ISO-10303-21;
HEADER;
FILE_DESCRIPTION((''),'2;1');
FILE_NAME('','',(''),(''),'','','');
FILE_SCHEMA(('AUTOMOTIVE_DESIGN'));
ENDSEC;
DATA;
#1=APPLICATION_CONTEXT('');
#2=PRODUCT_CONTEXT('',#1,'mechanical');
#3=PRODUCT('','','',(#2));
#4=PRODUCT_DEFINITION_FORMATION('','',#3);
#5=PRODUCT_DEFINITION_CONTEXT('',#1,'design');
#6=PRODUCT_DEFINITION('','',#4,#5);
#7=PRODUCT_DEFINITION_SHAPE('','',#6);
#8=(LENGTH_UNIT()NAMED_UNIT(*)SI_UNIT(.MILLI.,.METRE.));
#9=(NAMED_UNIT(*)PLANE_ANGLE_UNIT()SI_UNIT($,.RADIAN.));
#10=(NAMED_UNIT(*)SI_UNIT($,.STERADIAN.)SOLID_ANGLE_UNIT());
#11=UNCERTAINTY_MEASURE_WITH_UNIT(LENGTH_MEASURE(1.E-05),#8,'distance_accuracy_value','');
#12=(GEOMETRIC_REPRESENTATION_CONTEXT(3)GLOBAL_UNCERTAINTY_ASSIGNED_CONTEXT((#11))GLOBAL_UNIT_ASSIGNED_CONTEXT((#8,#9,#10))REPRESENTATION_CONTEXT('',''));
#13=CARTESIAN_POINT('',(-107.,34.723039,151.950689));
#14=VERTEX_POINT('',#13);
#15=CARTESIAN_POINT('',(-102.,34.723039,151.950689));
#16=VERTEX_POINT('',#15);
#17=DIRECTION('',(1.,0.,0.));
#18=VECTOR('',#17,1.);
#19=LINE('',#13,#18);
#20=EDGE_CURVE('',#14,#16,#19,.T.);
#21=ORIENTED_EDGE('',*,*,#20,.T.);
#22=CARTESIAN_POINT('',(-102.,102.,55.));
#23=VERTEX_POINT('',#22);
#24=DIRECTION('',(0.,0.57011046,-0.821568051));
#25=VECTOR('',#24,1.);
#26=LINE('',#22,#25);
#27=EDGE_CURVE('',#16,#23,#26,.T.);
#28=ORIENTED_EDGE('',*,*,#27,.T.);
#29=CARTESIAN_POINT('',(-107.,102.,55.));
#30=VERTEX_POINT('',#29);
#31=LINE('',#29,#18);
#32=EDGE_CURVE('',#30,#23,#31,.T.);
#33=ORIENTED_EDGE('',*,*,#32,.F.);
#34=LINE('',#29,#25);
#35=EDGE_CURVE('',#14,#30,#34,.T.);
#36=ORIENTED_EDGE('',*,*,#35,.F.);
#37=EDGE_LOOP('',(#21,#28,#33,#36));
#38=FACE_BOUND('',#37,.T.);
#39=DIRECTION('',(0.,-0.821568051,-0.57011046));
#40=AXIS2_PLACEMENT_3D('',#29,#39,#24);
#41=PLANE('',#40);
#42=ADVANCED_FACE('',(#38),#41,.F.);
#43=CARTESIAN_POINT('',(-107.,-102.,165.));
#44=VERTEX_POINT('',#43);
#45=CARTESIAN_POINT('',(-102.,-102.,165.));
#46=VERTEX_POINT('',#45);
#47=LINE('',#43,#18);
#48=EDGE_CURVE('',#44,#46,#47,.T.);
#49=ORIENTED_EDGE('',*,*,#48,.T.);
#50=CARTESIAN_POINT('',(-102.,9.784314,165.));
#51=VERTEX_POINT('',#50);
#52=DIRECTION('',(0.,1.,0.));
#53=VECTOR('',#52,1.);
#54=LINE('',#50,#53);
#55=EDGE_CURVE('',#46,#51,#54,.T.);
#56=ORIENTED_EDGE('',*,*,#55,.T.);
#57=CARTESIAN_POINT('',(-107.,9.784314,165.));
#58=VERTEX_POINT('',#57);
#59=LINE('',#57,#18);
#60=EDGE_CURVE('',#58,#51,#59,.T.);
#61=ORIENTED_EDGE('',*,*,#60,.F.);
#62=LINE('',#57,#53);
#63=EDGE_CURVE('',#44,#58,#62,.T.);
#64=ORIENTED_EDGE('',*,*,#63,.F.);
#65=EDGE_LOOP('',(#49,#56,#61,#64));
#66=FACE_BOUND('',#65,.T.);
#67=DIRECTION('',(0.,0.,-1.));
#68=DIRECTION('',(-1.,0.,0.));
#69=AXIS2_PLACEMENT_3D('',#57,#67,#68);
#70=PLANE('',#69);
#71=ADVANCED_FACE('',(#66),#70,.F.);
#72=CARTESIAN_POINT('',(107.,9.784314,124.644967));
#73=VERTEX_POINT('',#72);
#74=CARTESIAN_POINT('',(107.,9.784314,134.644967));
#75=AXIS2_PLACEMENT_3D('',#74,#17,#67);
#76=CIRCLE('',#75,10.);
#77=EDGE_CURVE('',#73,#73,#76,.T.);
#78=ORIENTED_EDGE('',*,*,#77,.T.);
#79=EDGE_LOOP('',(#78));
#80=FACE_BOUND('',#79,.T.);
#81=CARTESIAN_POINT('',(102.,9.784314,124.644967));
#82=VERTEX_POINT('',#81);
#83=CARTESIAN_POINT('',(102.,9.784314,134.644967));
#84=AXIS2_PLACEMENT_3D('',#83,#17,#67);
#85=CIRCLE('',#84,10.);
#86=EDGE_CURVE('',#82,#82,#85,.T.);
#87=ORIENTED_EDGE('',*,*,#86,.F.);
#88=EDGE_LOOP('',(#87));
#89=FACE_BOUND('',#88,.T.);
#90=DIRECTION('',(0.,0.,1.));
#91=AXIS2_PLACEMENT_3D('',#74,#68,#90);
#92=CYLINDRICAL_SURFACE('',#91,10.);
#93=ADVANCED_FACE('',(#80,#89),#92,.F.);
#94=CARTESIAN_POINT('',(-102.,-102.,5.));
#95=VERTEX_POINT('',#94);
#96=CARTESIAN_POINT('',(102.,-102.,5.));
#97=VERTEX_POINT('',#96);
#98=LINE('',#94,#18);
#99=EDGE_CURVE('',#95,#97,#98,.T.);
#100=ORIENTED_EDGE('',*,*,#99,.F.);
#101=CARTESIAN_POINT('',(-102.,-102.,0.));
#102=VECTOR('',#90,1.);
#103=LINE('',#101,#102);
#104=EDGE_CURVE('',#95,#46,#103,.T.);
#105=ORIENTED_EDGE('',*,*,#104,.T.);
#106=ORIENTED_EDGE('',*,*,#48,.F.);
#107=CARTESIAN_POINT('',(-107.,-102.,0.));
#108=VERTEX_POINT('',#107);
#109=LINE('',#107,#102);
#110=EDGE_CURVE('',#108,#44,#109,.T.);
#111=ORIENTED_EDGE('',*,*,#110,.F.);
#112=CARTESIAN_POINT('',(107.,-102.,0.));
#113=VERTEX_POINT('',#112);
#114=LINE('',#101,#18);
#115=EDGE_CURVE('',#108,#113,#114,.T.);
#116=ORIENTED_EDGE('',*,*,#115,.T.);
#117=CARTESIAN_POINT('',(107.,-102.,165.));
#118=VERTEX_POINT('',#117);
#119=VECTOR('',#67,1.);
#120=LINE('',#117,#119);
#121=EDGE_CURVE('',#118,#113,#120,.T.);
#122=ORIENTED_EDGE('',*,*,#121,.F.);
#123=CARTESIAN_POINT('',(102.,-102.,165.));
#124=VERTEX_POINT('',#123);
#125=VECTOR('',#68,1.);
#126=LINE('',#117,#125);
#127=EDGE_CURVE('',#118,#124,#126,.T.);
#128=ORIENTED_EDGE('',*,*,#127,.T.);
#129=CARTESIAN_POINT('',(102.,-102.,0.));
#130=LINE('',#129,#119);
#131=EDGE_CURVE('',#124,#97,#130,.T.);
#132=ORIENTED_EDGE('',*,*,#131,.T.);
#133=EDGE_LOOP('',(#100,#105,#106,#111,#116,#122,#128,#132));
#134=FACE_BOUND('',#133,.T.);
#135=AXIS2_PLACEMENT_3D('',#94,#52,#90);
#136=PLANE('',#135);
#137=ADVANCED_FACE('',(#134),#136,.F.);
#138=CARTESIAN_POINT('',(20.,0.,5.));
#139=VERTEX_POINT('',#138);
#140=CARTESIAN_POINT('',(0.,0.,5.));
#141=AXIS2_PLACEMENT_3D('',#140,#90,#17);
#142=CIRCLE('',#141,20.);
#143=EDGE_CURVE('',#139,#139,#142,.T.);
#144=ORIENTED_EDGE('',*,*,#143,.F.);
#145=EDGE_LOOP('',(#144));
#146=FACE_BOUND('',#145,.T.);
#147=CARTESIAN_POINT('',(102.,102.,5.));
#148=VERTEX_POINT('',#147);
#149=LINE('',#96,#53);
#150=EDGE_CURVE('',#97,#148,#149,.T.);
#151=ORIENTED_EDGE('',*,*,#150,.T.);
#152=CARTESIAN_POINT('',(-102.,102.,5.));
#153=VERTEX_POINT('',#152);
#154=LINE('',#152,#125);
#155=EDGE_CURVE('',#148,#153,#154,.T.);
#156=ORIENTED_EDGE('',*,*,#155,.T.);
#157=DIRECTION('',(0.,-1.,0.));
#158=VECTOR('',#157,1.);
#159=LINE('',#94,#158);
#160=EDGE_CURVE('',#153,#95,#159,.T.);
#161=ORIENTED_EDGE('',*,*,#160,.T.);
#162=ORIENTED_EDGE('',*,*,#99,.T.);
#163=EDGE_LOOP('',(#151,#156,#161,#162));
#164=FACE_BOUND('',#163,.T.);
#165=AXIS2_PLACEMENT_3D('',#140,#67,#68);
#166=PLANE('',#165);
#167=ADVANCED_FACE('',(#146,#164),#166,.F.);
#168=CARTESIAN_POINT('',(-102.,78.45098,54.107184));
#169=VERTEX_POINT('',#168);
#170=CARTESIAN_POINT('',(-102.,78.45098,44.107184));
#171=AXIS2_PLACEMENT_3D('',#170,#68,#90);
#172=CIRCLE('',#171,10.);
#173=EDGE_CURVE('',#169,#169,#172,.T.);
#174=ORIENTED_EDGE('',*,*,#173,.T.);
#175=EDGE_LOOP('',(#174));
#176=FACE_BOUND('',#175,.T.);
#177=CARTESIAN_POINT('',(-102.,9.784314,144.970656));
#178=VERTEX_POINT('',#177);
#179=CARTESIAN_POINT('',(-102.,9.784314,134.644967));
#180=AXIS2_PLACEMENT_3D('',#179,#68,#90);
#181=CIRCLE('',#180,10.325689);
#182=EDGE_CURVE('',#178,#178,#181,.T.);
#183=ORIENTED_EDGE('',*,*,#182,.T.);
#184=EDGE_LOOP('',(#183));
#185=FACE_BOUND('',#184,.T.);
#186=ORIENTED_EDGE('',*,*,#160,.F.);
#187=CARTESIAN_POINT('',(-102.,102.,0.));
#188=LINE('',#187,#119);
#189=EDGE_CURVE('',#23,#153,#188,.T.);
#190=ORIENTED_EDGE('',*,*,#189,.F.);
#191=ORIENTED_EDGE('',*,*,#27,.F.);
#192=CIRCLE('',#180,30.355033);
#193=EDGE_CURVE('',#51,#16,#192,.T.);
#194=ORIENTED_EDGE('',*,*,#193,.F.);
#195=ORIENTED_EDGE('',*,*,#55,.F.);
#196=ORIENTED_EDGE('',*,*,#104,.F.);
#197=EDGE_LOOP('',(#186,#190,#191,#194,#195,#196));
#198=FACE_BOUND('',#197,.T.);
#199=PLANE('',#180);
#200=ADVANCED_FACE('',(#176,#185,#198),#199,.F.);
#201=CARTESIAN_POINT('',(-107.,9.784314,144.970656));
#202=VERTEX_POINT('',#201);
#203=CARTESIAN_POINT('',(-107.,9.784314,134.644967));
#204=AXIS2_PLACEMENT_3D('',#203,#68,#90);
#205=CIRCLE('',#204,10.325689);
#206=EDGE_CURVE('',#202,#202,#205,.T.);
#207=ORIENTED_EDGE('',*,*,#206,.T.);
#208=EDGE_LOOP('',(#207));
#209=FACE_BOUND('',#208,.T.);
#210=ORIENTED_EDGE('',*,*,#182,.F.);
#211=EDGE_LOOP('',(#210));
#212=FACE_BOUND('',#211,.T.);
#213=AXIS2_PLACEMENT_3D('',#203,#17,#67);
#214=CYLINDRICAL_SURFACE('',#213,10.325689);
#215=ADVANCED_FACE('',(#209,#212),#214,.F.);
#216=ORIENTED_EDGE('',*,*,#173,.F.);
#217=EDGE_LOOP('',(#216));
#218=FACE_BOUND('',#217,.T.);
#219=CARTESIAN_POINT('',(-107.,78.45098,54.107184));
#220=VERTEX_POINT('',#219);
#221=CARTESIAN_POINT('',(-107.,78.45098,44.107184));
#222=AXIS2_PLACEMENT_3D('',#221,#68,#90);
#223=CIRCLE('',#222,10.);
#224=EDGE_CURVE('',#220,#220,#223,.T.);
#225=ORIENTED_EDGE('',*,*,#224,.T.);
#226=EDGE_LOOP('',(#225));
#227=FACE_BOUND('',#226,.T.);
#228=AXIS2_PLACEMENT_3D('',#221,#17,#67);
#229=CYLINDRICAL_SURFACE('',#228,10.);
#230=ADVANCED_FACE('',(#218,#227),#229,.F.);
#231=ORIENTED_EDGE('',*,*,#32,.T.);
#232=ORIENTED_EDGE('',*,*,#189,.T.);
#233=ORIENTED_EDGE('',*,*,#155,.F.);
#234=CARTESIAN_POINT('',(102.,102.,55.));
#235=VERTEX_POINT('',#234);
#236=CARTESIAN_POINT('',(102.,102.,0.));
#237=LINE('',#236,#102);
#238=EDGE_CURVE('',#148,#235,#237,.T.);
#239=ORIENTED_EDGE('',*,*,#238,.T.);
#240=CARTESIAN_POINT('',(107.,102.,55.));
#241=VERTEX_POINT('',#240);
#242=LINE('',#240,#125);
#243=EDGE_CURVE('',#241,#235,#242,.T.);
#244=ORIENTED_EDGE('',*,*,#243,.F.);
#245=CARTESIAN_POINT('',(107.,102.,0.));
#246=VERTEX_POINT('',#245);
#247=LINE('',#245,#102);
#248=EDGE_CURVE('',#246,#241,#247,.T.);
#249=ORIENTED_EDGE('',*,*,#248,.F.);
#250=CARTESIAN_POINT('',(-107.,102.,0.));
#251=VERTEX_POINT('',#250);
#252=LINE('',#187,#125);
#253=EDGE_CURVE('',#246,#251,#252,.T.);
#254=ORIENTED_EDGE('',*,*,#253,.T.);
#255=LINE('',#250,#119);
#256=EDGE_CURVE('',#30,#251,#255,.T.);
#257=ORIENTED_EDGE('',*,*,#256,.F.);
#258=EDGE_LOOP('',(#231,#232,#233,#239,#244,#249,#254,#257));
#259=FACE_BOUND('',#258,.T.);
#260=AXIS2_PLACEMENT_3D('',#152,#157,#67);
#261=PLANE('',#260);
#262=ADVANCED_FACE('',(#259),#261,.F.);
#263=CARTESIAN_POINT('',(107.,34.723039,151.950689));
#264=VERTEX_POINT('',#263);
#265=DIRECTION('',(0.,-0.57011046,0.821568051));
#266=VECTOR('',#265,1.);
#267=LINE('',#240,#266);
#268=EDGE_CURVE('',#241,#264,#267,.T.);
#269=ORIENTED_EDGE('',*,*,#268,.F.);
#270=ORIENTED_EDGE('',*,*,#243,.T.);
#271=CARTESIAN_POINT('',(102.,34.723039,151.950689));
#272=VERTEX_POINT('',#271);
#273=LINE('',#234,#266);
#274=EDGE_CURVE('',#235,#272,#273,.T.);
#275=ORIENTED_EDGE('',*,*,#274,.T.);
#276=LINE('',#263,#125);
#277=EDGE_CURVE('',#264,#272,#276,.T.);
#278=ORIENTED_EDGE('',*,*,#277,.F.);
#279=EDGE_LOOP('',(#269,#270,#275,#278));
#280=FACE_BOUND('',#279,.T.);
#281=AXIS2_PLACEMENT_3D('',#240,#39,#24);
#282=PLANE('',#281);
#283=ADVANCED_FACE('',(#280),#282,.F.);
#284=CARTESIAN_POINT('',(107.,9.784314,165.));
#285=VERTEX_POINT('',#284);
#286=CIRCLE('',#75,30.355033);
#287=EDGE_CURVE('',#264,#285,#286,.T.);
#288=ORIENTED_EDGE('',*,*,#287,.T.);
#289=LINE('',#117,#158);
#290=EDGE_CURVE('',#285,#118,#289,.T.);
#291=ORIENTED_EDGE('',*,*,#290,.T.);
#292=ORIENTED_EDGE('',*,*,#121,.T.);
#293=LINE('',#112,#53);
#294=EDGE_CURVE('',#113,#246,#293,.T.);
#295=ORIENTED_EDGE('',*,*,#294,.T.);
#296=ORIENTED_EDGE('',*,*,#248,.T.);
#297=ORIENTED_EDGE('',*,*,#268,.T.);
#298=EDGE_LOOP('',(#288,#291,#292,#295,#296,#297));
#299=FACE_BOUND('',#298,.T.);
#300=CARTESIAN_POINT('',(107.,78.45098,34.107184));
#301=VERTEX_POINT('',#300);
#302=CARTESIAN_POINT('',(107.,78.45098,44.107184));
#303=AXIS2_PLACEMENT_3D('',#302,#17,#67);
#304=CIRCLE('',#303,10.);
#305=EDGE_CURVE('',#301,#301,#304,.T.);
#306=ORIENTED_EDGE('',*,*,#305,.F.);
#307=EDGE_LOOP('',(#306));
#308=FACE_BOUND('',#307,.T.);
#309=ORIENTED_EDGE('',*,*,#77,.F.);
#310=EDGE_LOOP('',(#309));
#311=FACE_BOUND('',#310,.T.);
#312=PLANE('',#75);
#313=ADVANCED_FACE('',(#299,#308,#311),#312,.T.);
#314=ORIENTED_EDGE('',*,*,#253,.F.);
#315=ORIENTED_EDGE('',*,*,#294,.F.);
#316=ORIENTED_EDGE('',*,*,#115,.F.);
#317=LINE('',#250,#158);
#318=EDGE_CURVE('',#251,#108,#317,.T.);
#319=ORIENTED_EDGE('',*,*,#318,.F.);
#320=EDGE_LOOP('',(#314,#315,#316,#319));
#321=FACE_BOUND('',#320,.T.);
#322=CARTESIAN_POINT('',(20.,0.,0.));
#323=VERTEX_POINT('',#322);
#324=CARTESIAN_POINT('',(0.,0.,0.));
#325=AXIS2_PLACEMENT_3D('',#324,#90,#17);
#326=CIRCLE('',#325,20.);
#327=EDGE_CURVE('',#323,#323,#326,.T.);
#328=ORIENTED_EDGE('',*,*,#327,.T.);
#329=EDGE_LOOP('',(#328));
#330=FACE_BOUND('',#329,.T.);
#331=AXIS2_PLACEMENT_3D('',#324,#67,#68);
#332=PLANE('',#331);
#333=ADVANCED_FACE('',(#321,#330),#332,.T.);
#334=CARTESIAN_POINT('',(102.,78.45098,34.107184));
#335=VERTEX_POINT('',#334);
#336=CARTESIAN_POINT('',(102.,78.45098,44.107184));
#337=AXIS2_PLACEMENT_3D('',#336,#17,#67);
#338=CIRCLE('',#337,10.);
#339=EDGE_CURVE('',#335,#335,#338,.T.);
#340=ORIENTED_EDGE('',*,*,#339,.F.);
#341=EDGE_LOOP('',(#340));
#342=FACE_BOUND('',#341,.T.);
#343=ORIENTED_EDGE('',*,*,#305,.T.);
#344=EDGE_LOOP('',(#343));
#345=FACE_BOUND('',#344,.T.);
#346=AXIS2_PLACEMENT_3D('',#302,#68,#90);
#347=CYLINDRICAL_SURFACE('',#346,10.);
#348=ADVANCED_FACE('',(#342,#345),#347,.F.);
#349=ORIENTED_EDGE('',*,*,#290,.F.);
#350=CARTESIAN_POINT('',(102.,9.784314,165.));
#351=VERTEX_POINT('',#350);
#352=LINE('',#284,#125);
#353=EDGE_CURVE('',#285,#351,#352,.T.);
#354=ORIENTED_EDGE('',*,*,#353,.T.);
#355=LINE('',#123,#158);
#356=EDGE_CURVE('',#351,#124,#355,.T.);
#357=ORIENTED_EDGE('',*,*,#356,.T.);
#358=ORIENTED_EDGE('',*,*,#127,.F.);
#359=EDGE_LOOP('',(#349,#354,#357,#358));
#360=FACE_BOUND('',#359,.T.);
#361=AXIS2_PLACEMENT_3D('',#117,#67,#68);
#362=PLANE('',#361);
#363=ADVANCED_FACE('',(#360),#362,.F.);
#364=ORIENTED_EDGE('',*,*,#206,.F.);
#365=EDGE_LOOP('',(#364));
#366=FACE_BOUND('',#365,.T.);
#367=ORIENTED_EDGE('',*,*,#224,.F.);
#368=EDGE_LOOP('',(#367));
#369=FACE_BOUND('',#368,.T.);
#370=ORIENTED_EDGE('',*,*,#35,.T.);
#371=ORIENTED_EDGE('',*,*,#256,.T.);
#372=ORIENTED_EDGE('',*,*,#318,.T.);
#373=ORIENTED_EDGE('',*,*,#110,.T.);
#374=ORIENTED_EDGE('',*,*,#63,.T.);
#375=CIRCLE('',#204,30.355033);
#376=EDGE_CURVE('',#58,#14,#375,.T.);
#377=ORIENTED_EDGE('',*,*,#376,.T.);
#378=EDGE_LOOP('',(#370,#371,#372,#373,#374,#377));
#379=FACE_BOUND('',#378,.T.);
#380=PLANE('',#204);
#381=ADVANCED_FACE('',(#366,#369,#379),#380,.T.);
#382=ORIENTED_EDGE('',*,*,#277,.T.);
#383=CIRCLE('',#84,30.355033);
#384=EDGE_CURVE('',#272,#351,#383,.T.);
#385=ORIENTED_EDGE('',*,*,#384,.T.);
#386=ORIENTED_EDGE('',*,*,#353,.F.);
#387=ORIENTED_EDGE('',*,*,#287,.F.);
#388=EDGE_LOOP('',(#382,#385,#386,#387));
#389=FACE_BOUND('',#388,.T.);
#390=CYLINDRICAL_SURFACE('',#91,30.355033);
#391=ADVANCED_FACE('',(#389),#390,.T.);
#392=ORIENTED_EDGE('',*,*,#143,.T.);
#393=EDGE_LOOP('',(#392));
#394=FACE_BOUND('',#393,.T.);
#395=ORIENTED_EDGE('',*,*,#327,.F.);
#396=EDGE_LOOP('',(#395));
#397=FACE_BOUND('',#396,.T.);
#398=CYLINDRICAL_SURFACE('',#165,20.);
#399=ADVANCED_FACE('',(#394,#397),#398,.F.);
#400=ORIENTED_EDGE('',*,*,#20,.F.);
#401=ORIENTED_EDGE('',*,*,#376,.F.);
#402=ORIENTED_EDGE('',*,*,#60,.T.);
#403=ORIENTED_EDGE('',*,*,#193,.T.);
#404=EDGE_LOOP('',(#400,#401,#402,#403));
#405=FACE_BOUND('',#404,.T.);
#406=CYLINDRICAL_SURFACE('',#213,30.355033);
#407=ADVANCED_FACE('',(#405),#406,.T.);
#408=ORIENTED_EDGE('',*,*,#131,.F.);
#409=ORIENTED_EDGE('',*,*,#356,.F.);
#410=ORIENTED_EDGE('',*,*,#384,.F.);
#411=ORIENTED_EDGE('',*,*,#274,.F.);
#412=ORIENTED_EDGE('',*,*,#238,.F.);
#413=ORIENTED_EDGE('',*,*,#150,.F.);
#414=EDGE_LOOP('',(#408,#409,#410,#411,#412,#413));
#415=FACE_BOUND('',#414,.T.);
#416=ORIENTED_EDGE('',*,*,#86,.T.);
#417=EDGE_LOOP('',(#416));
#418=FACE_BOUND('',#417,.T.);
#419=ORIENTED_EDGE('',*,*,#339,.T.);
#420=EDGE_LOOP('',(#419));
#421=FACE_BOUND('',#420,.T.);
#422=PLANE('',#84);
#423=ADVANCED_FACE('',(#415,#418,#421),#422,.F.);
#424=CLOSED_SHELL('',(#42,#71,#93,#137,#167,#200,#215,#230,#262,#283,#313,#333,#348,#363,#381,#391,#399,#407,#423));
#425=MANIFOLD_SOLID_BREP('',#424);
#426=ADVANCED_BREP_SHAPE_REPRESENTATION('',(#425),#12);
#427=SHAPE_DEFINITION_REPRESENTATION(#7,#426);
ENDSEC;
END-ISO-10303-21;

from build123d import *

# Parameters (mm, degrees)
SKETCH1_W           = 204
SKETCH1_H           = 204
SKETCH1_R           = 20
BOSS_EXTRUDE1_DEPTH = 5
SKETCH2_R           = 10
BOSS_EXTRUDE2_DEPTH = 5
BOSS_EXTRUDE3_START = 5
SKETCH3_R           = 10
SKETCH3_R_2         = 10.325688869
BOSS_EXTRUDE3_DEPTH = 5


with BuildPart() as part:
    # Sketch1 → Boss-Extrude1 (new body)
    with BuildSketch(Plane.XY):
        Rectangle(SKETCH1_W, SKETCH1_H)
        Circle(SKETCH1_R, mode=Mode.SUBTRACT)
    extrude(amount=BOSS_EXTRUDE1_DEPTH)

    # Sketch2 → Boss-Extrude2 (add)
    with BuildSketch(Plane(origin=(102, 0, 0), x_dir=(0, 0, -1), z_dir=(1, 0, 0))):
        with BuildLine():
            Line((0, 102), (-55, 102))
            Line((-55, 102), (-151.95068894, 34.723038836))
            ThreePointArc((-151.95068894, 34.723038836), (-161.540540881, 23.857555439), (-165, 9.784313725))
            Line((-165, 9.784313725), (-165, -102))
            Line((-165, -102), (-55, -102))
            Line((-55, -102), (0, -102))
            Line((0, -102), (0, 102))
        make_face()
        with Locations((-44.107183944, 78.450980392)):
            Circle(SKETCH2_R, mode=Mode.SUBTRACT)
        with Locations((-134.644967247, 9.784313725)):
            Circle(SKETCH2_R, mode=Mode.SUBTRACT)
    extrude(amount=BOSS_EXTRUDE2_DEPTH)

    # Sketch3 → Boss-Extrude3 (add)
    with BuildSketch(Plane.ZY.offset(102).offset(BOSS_EXTRUDE3_START)):
        with BuildLine():
            Line((0, 102), (0, -102))
            Line((0, -102), (165, -102))
            Line((165, -102), (165, 9.784313725))
            ThreePointArc((165, 9.784313725), (161.540540881, 23.857555439), (151.95068894, 34.723038836))
            Line((151.95068894, 34.723038836), (55, 102))
            Line((55, 102), (0, 102))
        make_face()
        with Locations(Location((44.107183944, 78.450980392, 0), (0, 0, 180))):
            Circle(SKETCH3_R, mode=Mode.SUBTRACT)
        with Locations((134.644967247, 9.784313725)):
            Circle(SKETCH3_R_2, mode=Mode.SUBTRACT)
    extrude(amount=-BOSS_EXTRUDE3_DEPTH)


solid = part.part
